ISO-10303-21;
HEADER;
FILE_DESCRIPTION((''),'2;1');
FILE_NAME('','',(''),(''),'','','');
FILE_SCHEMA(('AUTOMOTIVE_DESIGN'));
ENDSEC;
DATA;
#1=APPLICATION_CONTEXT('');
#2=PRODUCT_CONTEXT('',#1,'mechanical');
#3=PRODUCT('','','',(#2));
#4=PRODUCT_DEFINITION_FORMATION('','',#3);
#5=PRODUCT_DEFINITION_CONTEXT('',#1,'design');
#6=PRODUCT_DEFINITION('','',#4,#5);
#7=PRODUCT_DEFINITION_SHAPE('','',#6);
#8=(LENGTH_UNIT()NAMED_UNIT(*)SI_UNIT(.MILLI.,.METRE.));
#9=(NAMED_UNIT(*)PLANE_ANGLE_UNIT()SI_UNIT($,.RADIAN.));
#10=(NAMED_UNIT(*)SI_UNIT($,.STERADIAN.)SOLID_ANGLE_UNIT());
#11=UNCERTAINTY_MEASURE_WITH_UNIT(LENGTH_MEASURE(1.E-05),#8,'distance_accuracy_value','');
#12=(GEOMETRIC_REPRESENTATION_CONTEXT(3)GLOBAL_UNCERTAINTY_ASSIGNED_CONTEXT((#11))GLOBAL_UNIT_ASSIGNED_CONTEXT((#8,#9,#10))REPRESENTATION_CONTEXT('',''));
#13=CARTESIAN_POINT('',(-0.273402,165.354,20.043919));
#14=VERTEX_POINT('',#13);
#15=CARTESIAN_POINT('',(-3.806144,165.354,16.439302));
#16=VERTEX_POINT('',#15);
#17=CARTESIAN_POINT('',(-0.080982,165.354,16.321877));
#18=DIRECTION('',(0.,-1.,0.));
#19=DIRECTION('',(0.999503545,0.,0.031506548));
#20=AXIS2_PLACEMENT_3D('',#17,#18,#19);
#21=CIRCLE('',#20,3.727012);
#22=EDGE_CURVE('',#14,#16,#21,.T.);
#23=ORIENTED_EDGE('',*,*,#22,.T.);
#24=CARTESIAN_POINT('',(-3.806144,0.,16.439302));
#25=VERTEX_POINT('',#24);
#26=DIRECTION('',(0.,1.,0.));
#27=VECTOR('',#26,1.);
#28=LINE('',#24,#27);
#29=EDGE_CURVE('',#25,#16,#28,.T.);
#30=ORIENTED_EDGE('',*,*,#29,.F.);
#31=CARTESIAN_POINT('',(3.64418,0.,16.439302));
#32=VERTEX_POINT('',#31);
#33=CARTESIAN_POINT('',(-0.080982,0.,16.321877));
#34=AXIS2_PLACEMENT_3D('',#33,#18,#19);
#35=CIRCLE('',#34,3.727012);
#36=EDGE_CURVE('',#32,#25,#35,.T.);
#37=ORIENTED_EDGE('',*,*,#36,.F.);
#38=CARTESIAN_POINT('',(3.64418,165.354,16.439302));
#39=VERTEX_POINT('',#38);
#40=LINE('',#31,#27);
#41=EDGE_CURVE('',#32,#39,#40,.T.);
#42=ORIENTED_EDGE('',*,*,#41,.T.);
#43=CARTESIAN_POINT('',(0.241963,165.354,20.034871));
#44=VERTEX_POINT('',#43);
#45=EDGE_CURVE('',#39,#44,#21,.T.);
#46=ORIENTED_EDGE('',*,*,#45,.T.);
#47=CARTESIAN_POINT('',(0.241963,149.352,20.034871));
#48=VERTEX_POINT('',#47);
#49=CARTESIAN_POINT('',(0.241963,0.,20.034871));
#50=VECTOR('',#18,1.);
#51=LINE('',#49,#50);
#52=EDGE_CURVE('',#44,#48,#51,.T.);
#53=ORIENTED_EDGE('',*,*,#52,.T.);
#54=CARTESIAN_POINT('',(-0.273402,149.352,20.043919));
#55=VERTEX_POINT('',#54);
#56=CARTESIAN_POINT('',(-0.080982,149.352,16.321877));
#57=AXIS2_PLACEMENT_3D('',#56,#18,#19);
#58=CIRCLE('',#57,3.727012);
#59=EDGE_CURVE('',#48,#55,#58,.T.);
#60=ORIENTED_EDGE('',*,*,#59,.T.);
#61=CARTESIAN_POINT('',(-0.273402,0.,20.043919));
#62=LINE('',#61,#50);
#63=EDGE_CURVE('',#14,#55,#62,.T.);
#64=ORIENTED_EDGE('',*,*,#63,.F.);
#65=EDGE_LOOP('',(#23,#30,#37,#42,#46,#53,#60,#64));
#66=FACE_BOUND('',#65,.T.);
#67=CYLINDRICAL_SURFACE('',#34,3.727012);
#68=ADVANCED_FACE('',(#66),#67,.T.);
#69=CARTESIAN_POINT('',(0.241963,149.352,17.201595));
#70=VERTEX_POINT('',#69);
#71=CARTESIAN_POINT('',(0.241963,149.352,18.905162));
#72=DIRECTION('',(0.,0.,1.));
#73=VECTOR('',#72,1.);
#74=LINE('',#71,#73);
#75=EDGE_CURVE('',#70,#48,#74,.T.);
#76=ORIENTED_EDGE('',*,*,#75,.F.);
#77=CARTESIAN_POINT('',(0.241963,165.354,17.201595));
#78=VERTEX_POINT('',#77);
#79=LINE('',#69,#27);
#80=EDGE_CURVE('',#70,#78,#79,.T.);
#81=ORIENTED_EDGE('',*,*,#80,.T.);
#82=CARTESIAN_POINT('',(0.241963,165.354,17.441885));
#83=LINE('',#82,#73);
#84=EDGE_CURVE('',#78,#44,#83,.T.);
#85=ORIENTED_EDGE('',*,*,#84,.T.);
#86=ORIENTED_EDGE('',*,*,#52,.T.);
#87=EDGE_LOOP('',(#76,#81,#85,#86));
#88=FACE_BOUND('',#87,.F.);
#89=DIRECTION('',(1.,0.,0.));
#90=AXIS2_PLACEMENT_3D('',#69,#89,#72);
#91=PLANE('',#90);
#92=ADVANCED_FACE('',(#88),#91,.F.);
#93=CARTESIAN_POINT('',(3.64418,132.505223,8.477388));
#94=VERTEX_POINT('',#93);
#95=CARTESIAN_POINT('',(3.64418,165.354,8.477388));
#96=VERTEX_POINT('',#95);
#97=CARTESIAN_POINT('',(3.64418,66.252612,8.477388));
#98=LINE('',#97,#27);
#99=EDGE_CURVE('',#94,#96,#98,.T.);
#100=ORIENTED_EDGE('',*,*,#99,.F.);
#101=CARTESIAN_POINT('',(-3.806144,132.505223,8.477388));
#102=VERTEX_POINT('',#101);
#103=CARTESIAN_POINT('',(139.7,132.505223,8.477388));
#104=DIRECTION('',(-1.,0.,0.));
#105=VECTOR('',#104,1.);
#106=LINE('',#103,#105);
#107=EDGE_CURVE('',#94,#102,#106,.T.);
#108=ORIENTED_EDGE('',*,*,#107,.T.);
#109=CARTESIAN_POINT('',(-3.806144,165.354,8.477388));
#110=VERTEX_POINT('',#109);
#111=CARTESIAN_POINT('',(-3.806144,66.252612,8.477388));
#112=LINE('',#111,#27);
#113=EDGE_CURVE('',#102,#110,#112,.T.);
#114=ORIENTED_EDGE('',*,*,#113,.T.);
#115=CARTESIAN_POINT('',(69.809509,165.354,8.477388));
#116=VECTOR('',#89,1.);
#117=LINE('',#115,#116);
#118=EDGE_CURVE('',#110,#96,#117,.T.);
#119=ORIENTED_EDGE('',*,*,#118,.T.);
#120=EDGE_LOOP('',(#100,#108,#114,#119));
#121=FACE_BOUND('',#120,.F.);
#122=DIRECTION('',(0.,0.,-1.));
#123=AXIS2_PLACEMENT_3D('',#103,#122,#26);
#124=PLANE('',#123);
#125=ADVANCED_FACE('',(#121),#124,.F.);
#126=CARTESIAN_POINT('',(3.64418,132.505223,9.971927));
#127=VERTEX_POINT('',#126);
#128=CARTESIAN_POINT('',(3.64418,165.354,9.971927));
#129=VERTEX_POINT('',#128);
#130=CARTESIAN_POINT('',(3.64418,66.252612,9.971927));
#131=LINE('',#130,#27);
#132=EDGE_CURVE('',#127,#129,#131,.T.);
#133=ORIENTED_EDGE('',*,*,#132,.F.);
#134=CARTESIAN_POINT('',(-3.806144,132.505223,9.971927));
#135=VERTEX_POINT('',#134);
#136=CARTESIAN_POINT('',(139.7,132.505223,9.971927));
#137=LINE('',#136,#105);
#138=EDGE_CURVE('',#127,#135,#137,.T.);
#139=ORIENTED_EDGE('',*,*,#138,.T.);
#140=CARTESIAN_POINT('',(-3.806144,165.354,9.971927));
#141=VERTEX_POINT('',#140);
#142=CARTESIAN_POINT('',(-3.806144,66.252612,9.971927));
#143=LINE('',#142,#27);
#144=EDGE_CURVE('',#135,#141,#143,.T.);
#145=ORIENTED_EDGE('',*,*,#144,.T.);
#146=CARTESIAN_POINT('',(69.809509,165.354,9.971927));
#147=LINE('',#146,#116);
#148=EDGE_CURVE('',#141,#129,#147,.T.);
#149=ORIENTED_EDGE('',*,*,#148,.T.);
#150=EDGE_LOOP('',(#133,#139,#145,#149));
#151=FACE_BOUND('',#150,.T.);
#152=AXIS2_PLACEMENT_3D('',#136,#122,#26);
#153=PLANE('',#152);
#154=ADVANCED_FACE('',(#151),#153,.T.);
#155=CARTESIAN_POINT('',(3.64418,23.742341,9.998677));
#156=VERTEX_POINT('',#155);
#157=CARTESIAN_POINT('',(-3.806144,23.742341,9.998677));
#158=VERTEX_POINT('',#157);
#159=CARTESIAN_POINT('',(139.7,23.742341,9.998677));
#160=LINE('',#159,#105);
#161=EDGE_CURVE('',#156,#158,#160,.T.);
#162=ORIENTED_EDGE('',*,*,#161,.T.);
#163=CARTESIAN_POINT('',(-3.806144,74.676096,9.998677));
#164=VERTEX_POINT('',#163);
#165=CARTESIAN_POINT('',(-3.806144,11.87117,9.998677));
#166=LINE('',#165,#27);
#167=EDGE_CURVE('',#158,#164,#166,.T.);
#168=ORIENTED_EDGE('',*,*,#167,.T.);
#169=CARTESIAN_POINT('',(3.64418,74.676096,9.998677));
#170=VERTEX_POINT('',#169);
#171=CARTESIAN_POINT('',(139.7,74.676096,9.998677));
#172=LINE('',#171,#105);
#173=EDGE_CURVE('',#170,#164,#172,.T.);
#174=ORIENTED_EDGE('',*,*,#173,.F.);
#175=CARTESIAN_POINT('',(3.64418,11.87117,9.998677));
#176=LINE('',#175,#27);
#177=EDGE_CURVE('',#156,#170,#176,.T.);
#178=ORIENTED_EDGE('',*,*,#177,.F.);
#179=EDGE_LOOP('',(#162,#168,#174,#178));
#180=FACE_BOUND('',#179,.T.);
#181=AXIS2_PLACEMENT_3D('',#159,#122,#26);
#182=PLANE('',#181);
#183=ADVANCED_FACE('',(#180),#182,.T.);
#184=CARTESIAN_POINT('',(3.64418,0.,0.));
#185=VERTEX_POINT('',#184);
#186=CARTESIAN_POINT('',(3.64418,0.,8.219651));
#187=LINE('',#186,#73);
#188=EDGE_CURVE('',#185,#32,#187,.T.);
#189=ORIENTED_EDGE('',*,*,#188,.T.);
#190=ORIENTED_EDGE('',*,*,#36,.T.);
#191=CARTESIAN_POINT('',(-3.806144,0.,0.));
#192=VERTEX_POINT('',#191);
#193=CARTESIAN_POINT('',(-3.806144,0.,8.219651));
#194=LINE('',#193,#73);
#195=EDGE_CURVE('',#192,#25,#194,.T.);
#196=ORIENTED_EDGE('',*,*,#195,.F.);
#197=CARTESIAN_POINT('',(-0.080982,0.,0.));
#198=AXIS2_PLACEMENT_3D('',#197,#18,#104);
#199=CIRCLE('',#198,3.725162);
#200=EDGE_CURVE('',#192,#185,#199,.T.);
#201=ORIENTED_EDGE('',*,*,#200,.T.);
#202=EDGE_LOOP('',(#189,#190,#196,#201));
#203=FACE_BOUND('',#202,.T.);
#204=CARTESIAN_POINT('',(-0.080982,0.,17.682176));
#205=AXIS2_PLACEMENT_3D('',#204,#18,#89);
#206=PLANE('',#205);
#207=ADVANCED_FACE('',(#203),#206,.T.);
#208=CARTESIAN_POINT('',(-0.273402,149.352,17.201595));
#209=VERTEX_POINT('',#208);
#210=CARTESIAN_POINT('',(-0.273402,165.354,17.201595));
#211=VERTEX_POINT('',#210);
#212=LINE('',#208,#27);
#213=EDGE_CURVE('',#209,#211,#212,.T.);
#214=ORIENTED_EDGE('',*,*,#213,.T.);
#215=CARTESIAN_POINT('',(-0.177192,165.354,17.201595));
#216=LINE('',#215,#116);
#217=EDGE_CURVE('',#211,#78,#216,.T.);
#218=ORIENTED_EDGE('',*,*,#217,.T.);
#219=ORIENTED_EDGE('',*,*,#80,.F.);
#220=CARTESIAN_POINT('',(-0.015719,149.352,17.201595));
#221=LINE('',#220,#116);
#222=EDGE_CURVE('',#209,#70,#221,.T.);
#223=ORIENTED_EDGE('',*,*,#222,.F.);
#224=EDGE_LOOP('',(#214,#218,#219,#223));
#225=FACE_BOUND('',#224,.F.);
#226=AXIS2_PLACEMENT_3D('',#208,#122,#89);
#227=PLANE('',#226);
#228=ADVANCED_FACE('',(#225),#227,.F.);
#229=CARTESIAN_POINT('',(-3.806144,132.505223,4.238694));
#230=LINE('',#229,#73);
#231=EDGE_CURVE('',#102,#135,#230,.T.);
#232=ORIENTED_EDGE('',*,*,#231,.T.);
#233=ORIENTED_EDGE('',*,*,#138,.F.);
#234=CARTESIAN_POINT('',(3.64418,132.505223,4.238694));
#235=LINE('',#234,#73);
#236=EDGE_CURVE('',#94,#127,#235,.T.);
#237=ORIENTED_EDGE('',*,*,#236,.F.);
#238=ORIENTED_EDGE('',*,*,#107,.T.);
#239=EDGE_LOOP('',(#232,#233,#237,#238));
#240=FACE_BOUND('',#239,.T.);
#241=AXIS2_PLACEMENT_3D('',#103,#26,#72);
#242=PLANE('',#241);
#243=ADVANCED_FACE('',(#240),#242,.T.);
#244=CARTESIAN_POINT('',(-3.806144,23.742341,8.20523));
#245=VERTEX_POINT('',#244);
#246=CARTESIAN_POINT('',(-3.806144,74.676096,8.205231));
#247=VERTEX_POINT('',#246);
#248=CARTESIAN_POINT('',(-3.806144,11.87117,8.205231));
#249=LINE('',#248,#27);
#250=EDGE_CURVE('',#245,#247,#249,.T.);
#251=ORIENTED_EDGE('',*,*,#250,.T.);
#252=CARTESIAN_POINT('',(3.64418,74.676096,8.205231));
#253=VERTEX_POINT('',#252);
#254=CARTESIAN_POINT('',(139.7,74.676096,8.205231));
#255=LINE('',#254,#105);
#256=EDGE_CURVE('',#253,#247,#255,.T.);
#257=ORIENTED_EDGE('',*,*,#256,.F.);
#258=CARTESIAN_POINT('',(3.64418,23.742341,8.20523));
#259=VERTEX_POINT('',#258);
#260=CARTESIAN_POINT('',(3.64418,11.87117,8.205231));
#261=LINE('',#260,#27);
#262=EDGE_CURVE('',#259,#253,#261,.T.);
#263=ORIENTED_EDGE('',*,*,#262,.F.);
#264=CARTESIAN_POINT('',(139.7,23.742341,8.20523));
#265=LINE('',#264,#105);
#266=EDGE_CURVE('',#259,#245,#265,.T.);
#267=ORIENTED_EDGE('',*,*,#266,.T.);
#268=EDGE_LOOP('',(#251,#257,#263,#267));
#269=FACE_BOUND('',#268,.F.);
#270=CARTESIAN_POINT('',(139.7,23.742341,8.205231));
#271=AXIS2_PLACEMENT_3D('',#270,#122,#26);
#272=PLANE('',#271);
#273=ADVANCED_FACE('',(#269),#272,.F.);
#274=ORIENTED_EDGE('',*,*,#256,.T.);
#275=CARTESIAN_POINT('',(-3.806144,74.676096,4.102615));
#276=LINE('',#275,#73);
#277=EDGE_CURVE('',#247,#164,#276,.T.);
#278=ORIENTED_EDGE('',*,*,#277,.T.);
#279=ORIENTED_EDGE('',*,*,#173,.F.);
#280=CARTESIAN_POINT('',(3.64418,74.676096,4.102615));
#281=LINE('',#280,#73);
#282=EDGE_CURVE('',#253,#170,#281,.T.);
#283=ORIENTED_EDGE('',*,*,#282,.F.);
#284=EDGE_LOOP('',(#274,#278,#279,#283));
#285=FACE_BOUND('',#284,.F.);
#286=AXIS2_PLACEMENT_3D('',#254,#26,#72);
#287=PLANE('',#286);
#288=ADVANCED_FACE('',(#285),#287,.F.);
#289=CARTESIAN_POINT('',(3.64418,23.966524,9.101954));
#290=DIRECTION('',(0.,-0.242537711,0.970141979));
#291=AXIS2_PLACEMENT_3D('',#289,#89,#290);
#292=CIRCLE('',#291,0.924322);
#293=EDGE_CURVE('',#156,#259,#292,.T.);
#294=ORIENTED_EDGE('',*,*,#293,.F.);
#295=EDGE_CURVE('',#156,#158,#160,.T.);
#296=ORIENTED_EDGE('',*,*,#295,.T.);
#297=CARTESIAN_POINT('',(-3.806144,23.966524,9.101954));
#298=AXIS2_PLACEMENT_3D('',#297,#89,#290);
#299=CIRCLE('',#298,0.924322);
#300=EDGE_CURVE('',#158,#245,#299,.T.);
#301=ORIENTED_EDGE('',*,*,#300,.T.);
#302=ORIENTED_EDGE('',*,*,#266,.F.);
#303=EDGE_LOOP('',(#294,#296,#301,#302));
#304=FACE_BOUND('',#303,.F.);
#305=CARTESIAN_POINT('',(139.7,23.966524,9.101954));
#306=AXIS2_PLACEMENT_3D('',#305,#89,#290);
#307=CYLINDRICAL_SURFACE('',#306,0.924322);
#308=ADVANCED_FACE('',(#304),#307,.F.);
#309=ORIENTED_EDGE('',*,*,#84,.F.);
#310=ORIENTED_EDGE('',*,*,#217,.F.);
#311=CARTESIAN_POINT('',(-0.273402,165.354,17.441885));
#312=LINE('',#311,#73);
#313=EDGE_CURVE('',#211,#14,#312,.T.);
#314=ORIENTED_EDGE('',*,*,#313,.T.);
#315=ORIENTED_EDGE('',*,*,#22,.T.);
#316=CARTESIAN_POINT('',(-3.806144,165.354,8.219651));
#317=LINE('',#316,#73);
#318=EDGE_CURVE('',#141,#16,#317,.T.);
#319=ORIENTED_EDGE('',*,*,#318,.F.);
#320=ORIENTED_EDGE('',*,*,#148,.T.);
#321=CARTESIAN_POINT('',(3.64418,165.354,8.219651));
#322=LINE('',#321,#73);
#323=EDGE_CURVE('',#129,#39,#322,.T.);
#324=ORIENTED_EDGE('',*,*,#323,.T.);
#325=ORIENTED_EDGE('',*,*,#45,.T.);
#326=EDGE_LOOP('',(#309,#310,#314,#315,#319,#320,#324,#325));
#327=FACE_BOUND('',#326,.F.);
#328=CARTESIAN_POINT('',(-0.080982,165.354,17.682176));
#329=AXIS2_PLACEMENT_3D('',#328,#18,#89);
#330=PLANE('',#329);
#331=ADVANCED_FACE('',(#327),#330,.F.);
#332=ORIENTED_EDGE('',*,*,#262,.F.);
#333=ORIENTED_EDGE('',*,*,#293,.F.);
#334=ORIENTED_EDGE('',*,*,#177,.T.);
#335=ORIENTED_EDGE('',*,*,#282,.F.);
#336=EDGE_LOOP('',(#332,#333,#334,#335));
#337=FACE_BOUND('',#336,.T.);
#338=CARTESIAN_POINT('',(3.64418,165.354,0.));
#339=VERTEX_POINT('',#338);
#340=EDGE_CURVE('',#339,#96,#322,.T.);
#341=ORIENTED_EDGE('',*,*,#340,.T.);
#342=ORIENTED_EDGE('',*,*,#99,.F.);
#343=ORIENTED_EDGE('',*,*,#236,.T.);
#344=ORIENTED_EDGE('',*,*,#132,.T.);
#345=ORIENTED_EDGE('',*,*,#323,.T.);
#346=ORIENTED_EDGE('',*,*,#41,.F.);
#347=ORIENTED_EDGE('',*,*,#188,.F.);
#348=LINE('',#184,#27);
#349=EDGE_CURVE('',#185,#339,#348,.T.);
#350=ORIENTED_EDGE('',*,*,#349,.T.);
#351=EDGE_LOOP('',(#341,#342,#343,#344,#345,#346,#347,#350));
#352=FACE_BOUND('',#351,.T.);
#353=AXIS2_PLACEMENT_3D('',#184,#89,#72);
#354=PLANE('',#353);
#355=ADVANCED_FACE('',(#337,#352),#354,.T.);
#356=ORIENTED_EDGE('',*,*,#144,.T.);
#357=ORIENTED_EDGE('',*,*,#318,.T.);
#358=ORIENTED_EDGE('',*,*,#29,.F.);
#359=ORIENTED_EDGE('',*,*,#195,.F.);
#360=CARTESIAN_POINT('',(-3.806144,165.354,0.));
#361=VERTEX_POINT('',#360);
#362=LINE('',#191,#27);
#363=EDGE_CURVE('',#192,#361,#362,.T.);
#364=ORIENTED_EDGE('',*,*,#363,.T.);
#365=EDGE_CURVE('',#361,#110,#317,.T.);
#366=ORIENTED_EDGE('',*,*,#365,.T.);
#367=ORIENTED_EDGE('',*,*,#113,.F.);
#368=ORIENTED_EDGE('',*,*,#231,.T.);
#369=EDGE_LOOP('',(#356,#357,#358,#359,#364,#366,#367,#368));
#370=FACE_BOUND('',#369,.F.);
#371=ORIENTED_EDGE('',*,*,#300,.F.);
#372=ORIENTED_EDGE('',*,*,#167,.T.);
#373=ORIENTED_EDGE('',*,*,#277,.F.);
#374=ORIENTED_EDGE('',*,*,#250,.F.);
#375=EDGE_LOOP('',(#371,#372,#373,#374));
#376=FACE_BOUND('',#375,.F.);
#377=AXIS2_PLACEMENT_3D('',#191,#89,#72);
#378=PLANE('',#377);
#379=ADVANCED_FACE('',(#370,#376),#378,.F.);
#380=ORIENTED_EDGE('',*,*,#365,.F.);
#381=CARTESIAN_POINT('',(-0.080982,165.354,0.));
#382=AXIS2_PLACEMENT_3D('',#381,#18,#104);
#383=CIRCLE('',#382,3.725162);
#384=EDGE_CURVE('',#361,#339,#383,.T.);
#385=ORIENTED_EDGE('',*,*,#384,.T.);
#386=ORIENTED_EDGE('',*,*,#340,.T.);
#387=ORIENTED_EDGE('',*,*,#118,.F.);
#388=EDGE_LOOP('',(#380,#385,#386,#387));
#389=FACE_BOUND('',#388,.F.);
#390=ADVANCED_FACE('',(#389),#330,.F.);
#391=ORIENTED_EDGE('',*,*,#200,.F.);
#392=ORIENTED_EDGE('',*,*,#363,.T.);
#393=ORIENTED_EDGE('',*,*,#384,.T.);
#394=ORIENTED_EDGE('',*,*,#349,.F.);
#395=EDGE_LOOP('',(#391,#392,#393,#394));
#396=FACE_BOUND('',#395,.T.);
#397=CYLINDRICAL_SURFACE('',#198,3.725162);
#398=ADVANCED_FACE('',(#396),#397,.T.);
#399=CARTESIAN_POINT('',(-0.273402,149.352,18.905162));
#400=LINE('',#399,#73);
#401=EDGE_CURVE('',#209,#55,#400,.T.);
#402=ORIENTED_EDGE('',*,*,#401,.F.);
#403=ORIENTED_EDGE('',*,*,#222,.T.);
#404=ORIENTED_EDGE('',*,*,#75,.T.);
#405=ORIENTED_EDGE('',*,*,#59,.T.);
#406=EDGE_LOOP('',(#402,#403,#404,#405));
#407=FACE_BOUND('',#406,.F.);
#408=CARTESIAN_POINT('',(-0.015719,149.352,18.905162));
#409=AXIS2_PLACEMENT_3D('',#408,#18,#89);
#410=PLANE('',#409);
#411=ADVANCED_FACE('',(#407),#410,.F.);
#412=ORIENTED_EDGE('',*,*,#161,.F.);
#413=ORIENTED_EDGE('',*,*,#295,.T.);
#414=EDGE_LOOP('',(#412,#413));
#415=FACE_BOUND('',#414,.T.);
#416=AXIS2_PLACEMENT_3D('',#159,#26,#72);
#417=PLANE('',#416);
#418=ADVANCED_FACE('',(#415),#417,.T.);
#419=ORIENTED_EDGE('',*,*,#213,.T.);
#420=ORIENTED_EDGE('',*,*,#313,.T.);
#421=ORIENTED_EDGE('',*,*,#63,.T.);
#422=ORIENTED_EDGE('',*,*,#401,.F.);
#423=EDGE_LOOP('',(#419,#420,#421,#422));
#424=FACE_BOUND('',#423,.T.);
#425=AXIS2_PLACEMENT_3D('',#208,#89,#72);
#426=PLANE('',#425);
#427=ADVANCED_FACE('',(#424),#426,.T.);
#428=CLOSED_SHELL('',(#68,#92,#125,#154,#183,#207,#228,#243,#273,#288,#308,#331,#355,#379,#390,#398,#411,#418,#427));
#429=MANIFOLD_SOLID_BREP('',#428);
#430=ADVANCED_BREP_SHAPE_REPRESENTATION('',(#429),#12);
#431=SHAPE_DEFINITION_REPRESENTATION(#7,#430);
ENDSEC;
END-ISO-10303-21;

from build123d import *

# Parameters (mm, degrees)
F0_W     = 7.450324
F0_H     = 16.439302
F1_DEPTH = 165.354
F3_W     = 50.933755
F3_H     = 1.793447
F4_DEPTH = 232.41
F6_W     = 0.515365
F6_H     = 3.407134
F7_DEPTH = 43.6118
F8_W     = 37.184134
F8_H     = 1.494539
F9_DEPTH = 232.41


with BuildPart() as f1:
    # F0 (on Front) → F1 (new body)
    with BuildSketch(Plane.XZ):
        with BuildLine():
            Line((-3.806144, 16.439302), (3.64418, 16.439302))
            ThreePointArc((3.64418, 16.439302), (-0.080982, 20.048889), (-3.806144, 16.439302))
        make_face()
        with Locations((-0.080982, 8.219651)):
            Rectangle(F0_W, F0_H)
        with BuildLine():
            ThreePointArc((-3.806144, 0), (-0.080982, -3.725162), (3.64418, 0))
            Line((3.64418, 0), (-3.806144, 0))
        make_face()
    extrude(amount=-F1_DEPTH)

    # F3 (on offset) → F4 (cut)
    with BuildSketch(Plane.YZ.offset(139.7)):
        with BuildLine():
            Line((23.742341, 8.20523), (23.742341, 9.998677))
            ThreePointArc((23.742341, 9.998677), (23.042202, 9.101954), (23.742341, 8.20523))
        make_face()
        with Locations((49.209218, 9.101954)):
            Rectangle(F3_W, F3_H)
    extrude(amount=-F4_DEPTH, mode=Mode.SUBTRACT)

    # F6 (on offset) → F7 (cut)
    with BuildSketch(Plane.XZ.offset(-149.352)):
        with Locations((-0.015719, 18.905162)):
            Rectangle(F6_W, F6_H)
    extrude(amount=-F7_DEPTH, mode=Mode.SUBTRACT)

    # F8 (on offset) → F9 (cut)
    with BuildSketch(Plane.YZ.offset(139.7)):
        with Locations((151.09729, 9.224657)):
            Rectangle(F8_W, F8_H)
    extrude(amount=-F9_DEPTH, mode=Mode.SUBTRACT)


solid = f1.part
